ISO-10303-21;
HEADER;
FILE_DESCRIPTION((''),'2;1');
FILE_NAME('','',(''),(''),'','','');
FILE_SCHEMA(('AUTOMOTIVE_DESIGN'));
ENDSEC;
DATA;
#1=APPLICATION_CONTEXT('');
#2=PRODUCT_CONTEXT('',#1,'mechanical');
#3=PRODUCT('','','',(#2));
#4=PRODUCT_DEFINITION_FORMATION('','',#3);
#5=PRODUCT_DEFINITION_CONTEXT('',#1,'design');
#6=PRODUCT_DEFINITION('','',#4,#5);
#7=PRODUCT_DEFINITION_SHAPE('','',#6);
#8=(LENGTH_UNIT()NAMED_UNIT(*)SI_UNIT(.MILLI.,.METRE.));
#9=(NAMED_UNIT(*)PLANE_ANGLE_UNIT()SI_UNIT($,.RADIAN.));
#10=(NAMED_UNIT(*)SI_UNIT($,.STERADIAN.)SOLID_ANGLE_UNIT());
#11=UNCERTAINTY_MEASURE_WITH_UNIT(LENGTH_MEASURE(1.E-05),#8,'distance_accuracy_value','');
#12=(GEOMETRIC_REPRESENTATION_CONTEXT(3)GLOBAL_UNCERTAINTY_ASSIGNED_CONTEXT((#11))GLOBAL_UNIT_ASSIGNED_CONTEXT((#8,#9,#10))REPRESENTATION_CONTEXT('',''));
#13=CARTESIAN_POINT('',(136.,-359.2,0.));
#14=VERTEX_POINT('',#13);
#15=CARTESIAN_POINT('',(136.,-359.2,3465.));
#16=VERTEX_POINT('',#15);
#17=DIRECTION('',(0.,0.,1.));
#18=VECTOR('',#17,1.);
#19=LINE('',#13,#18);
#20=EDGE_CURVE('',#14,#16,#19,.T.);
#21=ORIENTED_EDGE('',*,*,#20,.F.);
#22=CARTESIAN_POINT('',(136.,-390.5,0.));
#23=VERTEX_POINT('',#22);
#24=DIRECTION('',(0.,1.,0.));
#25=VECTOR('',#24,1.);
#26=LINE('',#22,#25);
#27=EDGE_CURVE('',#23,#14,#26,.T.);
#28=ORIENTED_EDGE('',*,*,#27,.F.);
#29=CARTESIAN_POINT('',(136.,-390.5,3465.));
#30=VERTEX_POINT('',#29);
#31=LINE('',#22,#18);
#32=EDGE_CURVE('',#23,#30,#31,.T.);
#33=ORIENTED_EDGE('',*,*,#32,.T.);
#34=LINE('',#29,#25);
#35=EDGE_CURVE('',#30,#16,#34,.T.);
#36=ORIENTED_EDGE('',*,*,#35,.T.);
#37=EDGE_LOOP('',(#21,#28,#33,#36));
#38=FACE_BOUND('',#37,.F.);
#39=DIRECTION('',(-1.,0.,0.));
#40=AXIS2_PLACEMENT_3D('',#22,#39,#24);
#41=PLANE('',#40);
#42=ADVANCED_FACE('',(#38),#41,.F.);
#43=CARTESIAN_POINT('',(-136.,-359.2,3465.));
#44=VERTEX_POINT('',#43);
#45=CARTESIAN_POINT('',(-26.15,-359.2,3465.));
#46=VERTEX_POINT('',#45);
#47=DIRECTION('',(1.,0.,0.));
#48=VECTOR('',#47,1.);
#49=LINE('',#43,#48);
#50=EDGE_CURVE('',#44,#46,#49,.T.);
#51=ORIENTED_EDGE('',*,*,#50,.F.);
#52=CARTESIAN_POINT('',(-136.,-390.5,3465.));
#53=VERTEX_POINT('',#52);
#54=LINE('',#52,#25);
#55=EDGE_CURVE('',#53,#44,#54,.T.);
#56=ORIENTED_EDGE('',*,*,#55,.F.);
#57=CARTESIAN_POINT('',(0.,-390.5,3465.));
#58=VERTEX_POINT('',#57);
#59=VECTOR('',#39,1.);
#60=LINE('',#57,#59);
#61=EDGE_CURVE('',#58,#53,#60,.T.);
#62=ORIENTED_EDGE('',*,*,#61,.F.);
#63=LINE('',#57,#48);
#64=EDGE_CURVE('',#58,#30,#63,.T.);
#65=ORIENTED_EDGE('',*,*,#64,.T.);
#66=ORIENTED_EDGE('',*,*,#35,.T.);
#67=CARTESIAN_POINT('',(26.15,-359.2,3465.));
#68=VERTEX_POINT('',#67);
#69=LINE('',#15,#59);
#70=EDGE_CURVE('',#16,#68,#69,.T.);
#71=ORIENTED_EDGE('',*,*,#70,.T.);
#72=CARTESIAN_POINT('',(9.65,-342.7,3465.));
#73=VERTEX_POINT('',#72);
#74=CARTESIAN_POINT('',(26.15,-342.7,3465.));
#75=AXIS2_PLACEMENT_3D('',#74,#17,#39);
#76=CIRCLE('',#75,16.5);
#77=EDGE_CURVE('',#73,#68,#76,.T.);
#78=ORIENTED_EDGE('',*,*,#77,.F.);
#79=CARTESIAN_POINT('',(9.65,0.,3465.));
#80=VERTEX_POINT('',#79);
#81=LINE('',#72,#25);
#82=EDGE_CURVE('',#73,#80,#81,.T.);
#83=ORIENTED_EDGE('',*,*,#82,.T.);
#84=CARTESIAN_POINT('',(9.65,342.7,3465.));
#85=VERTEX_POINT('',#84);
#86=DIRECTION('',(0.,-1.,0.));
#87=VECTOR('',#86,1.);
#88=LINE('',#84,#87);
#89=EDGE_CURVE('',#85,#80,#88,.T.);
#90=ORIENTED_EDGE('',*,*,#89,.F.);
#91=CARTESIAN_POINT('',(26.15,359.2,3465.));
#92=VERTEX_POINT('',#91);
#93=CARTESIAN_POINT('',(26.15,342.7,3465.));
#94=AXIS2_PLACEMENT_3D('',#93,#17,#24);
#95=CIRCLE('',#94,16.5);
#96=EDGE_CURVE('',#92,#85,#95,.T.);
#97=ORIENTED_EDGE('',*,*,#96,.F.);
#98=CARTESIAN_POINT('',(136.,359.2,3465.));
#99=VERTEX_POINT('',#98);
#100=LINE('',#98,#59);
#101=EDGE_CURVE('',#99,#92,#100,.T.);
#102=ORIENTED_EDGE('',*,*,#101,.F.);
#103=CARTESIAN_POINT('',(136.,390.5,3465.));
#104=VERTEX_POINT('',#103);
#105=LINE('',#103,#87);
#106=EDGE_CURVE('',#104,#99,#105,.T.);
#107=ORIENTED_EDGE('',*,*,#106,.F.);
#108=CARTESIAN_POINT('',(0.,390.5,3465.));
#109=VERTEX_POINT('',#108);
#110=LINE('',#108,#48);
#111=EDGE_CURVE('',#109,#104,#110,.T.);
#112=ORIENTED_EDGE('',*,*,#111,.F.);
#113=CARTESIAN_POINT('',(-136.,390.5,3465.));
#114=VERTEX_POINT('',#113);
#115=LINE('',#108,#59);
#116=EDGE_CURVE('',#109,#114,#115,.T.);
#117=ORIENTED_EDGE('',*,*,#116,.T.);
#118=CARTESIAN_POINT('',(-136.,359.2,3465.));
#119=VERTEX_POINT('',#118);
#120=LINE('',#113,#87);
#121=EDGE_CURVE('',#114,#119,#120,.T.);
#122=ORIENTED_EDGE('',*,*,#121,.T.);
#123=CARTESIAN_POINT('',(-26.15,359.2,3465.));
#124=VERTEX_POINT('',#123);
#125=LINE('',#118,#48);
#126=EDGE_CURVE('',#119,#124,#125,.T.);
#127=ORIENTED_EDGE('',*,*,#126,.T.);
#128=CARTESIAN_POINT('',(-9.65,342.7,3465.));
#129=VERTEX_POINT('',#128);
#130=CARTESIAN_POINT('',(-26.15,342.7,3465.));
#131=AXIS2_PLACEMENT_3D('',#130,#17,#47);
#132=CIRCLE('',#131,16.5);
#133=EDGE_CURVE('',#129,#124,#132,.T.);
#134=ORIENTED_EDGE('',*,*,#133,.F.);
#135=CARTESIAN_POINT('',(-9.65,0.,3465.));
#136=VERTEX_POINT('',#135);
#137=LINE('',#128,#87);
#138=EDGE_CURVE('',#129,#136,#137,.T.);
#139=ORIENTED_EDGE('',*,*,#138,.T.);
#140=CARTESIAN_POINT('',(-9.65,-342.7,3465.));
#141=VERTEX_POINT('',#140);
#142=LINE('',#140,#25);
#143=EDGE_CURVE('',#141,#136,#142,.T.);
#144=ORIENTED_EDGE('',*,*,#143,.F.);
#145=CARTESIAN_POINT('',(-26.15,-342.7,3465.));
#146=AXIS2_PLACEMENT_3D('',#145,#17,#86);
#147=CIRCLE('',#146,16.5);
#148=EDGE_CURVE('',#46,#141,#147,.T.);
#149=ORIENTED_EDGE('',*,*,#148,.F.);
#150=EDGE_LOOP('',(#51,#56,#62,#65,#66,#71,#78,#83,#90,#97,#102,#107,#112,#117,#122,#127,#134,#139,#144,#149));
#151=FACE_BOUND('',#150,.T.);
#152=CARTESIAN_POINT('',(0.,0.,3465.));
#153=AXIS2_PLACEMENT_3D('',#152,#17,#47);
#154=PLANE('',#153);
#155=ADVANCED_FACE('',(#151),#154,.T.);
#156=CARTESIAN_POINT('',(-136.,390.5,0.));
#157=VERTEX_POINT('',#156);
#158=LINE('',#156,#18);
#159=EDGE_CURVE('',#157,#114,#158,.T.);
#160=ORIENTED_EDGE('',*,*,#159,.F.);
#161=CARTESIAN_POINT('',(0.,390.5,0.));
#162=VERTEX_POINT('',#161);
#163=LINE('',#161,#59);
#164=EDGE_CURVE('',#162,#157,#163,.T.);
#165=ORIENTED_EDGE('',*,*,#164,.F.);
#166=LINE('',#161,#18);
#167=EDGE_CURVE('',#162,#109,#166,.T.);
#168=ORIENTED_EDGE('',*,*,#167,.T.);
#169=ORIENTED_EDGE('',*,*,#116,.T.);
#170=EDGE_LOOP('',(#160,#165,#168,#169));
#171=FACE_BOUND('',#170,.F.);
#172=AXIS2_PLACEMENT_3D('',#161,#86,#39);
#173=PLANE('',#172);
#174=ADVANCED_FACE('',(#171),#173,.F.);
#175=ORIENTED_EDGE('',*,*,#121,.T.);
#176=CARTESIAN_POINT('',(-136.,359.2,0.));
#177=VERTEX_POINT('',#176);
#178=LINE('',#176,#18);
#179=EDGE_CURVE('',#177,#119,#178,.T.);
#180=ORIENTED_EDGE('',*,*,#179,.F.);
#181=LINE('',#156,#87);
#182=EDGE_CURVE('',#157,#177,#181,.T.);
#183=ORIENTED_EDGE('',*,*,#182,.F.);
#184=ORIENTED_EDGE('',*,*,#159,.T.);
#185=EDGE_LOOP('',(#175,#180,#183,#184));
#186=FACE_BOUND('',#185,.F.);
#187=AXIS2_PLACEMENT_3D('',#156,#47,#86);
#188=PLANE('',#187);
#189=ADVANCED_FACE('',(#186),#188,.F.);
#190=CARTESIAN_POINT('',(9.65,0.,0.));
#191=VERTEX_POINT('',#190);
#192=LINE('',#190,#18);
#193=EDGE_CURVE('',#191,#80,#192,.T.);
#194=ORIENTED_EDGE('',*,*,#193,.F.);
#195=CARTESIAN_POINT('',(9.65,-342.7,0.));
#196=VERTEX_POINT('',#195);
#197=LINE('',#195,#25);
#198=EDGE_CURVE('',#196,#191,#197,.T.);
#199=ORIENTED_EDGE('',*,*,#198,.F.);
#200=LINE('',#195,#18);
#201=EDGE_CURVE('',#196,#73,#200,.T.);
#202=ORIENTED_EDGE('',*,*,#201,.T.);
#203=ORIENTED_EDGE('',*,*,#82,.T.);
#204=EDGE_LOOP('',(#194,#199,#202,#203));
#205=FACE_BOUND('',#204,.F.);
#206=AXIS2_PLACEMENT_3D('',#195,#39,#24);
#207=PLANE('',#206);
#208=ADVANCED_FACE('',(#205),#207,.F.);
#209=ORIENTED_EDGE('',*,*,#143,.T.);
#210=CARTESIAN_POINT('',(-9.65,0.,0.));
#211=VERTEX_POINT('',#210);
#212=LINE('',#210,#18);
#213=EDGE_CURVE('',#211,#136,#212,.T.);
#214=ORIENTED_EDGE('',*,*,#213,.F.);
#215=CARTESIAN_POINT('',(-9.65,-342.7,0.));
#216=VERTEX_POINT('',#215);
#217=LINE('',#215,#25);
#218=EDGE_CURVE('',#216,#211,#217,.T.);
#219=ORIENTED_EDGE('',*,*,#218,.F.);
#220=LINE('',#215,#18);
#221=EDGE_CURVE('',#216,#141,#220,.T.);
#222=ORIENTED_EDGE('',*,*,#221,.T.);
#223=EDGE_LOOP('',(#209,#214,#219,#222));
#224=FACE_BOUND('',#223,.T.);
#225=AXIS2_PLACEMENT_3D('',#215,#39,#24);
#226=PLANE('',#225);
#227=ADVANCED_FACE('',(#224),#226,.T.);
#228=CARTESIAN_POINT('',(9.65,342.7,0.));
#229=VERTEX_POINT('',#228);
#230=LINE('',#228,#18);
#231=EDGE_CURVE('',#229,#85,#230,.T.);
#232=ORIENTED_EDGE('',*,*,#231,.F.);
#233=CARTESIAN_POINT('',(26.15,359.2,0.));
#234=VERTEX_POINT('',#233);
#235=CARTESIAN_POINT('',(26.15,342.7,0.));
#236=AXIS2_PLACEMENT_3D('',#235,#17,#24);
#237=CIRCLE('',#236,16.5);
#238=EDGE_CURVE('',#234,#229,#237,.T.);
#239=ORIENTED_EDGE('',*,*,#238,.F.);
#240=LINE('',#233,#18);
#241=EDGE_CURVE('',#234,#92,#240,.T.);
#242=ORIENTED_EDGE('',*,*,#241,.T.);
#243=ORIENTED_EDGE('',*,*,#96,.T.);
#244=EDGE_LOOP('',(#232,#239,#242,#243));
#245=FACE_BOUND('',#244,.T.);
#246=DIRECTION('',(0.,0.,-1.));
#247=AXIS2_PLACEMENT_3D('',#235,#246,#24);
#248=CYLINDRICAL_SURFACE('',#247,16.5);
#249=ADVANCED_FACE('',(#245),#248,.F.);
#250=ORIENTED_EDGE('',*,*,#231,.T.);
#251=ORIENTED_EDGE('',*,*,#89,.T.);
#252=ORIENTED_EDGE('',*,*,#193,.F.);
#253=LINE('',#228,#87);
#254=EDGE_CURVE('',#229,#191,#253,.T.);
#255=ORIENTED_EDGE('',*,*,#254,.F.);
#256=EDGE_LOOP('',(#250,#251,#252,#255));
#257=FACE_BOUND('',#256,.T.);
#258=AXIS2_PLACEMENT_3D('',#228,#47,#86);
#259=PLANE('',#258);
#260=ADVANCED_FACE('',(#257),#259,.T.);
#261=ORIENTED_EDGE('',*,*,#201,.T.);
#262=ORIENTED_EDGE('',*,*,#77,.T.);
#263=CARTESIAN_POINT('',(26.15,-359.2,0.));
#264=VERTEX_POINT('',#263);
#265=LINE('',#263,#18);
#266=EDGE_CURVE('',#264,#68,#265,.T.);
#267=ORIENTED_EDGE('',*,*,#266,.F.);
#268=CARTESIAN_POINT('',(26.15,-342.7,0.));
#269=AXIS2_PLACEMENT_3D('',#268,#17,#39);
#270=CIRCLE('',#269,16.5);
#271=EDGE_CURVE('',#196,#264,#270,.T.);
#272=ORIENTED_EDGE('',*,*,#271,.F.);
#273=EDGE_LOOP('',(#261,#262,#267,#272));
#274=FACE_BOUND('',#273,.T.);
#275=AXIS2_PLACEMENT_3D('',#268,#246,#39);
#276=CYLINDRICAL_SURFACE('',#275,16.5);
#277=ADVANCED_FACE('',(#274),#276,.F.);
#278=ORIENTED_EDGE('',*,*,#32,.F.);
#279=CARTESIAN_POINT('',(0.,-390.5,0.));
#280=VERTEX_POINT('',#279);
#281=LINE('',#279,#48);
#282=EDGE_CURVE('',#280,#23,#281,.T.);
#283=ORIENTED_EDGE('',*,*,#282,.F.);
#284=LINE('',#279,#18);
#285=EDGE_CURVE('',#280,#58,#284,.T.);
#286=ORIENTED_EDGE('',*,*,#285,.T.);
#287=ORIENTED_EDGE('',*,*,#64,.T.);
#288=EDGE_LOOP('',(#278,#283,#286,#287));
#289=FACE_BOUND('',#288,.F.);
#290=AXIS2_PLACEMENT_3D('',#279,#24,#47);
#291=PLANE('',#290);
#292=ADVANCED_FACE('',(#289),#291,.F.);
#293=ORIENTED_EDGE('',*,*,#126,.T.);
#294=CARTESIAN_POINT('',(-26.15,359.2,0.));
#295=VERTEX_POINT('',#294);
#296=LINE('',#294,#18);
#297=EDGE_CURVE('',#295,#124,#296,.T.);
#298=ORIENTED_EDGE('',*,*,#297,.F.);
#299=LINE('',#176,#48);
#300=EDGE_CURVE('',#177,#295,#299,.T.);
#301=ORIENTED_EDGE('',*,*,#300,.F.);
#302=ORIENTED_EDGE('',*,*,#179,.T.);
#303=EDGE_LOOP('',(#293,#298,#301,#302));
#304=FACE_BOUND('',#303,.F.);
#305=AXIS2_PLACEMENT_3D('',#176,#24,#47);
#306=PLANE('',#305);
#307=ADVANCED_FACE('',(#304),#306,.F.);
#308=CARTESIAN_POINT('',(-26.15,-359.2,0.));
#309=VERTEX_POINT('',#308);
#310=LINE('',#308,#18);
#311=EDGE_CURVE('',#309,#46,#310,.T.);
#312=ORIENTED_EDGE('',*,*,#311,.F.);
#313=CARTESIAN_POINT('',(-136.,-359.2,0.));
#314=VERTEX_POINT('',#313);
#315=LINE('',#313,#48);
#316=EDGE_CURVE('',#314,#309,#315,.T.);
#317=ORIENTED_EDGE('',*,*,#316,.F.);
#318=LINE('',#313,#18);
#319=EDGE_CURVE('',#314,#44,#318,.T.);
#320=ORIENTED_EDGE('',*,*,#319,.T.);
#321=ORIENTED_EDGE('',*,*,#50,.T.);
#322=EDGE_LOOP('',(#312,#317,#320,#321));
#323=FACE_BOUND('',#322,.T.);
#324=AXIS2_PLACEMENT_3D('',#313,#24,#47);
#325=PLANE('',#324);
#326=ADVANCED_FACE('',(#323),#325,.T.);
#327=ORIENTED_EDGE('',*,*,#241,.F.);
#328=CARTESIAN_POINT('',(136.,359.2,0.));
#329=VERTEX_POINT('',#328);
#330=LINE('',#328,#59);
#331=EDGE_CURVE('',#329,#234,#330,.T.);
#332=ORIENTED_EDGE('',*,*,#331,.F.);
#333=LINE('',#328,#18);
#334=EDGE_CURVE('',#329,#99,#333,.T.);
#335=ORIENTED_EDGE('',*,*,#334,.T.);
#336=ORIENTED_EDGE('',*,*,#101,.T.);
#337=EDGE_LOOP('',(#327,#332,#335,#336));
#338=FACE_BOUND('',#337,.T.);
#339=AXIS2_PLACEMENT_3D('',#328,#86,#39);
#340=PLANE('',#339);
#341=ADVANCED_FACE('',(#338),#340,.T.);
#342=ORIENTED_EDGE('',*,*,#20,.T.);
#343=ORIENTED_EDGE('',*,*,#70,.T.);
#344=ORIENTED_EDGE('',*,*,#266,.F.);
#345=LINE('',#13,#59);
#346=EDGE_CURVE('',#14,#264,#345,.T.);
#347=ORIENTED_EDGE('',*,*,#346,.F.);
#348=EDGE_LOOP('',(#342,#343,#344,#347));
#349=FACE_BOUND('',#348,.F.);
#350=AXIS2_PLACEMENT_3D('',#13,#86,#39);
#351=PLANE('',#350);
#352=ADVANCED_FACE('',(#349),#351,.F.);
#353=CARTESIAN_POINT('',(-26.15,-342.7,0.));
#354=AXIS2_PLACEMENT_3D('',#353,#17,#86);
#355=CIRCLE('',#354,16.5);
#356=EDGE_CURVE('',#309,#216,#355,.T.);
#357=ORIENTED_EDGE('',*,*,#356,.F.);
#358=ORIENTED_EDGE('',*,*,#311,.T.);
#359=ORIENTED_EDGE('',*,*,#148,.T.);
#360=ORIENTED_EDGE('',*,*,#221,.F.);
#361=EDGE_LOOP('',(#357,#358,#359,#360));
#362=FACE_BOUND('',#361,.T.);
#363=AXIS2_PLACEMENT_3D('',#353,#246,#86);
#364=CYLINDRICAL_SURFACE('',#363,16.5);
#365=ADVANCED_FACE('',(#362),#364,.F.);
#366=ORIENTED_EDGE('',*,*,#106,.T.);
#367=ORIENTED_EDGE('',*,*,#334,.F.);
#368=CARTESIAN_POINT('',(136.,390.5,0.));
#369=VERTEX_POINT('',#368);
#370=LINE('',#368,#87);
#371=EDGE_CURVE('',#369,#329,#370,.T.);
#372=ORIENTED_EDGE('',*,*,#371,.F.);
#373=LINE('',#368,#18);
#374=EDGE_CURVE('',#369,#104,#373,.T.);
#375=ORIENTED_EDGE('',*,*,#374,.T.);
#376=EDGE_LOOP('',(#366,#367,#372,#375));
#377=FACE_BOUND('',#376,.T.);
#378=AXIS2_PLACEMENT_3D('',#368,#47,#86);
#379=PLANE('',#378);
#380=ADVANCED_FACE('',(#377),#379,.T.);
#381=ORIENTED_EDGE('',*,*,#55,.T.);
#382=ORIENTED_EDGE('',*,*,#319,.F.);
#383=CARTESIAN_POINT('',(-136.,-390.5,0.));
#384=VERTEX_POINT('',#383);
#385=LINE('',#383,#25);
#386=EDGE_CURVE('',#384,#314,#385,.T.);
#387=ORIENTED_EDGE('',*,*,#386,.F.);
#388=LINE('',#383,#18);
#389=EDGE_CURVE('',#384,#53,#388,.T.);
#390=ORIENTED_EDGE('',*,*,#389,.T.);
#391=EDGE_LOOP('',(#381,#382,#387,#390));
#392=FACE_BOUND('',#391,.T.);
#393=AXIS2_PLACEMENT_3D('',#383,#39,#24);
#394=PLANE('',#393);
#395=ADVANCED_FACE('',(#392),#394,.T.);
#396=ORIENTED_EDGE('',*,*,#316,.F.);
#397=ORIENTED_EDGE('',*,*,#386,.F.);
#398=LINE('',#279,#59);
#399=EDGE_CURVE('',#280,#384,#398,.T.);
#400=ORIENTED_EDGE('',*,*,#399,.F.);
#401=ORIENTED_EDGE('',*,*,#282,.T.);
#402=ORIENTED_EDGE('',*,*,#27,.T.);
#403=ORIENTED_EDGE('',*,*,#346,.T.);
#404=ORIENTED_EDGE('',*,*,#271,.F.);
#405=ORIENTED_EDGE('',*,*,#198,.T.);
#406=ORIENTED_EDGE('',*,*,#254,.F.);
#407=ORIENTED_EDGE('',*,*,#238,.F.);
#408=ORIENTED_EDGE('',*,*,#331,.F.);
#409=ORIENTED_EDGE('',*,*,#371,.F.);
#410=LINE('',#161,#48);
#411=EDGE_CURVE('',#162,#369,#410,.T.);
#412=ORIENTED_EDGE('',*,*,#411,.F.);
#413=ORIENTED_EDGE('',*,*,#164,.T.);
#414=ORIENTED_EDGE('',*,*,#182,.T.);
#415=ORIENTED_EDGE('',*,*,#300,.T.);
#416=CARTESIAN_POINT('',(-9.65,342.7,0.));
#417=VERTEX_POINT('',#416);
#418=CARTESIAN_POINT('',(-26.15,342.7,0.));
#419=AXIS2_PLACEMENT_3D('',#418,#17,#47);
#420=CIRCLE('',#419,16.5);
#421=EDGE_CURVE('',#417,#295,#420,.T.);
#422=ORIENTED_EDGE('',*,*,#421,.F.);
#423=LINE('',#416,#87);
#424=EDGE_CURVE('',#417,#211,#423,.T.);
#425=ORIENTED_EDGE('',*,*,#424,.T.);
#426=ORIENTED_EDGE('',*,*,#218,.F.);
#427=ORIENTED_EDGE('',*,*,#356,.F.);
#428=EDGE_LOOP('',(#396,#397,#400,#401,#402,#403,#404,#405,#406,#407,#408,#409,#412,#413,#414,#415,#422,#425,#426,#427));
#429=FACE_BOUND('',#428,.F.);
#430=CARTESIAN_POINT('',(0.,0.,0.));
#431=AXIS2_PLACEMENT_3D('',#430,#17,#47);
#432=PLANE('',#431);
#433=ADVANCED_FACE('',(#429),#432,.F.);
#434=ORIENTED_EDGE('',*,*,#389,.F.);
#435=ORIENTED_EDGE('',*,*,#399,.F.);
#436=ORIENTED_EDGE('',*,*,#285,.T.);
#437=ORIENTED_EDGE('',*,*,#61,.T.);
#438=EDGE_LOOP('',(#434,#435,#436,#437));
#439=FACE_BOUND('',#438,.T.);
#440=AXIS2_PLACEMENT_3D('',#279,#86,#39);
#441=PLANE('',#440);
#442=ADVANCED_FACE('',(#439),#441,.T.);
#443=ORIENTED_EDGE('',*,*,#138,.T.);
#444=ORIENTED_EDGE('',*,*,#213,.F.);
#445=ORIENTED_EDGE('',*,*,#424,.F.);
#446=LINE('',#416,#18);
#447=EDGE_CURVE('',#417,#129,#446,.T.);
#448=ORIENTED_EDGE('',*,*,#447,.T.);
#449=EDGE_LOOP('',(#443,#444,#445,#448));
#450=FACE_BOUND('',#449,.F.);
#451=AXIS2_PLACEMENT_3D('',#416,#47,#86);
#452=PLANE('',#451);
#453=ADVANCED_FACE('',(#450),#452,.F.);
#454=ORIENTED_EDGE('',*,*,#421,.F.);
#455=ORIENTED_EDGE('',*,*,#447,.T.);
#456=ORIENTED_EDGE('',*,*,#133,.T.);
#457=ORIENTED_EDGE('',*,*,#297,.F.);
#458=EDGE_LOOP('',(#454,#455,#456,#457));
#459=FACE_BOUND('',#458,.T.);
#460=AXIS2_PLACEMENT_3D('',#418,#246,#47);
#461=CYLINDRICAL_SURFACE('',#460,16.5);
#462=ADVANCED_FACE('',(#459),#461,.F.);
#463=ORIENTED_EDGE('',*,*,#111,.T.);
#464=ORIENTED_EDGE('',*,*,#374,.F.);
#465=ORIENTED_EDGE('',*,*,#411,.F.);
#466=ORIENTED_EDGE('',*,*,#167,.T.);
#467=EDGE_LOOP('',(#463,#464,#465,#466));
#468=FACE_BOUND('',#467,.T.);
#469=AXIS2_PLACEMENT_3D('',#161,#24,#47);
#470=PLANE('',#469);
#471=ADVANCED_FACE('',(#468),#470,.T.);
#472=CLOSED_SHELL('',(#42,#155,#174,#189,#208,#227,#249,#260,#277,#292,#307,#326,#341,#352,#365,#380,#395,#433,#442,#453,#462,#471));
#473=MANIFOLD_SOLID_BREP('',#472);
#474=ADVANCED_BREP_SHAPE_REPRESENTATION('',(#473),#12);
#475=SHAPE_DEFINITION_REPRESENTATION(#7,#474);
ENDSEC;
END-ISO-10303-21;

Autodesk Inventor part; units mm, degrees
ref_plane "YZ Plane" through (0, 0, 0) normal (1, 0, 0) x (0, 1, 0)
ref_plane "Start plane" through (0, 0, 0) normal (0, 0, 1) x (1, 0, 0)
ref_plane "End plane" through (0, 0, 3465) normal (0, 0, 1) x (1, 0, 0)
sketch "Sketch" plane through (0, 0, 0) normal (0, 0, 1) x (1, 0, 0)
  line L0 (-136, -390.5) -> (-136, -359.2)
  line L1 (-136, -359.2) -> (-26.15, -359.2)
  line L2 (-9.65, -342.7) -> (-9.65, 0)
  line L3 (-9.65, 0) -> (0, 0) construction
  line L4 (0, 0) -> (0, -390.5) construction
  line L5 (0, -390.5) -> (-136, -390.5)
  line L6 (-60, 0) -> (80, 0) construction
  line L7 (0, -60) -> (0, 80) construction
  line L8 (136, -390.5) -> (136, -359.2)
  line L9 (136, -359.2) -> (26.15, -359.2)
  line L10 (9.65, -342.7) -> (9.65, 0)
  line L11 (9.65, 0) -> (0, 0) construction
  line L12 (0, -390.5) -> (136, -390.5)
  line L13 (-136, 390.5) -> (-136, 359.2)
  line L14 (-136, 359.2) -> (-26.15, 359.2)
  line L15 (-9.65, 342.7) -> (-9.65, 0)
  line L16 (0, 390.5) -> (-136, 390.5)
  line L17 (136, 390.5) -> (136, 359.2)
  line L18 (136, 359.2) -> (26.15, 359.2)
  line L19 (0, 390.5) -> (136, 390.5)
  line L20 (9.65, 342.7) -> (9.65, 0)
  arc A0 (-9.65, 342.7) -> (-26.15, 359.2) centre (-26.15, 342.7) ccw
  arc A1 (26.15, 359.2) -> (9.65, 342.7) centre (26.15, 342.7) ccw
  arc A2 (9.65, -342.7) -> (26.15, -359.2) centre (26.15, -342.7) ccw
  arc A3 (-26.15, -359.2) -> (-9.65, -342.7) centre (-26.15, -342.7) ccw
  line L21 (0, 108) -> (0, -88) construction
  line L22 (-88, 0) -> (108, 0) construction
  point P0 (-9.65, -359.2)
  point P1 (9.65, -359.2)
  point P2 (-9.65, 359.2)
  point P3 (9.65, 359.2)
  dimension "d1" = 390.5
  dimension "d2" = 31.3
  dimension "d3" = 136
  dimension "d4" = 9.65
  dimension "d10" = 16.5
extrude "Body" add sketch "Sketch" along normal up to surface (3465 mm away) from surface at 0
sketch "Sketch4" plane through (0, 0, 0) normal (0, 0, 1) x (1, 0, 0)
  line L0 (0, 0) -> (10, 0)
ref_plane "Work Plane3" through (0, 0, 0) normal (0, -1, 0) x (1, 0, 0)
sketch "Sketch5" plane through (0, 0, 0) normal (0, -1, 0) x (1, 0, 0)
  line L0 (-2, 0) -> (12, 0) projected
  line L1 (-2, 3465) -> (12, 3465) projected
  dimension "d14" = 3465
equation "\"d1\" = 0.5 * G_H"
equation "\"d2\" = G_T1"
equation "\"d3\" = 0.5 * G_W"
equation "\"d4\" = 0.5 * G_T"
equation "\"d10\" = G_IR"
equation "\"d5\" = G_L"
equation "\"G_W\" = 272"
equation "\"G_H\" = 781"
equation "\"G_T\" = 19.3"
equation "\"G_T1\" = 31.3"
equation "\"G_IR\" = 16.5"
equation "\"G_L\" = d14"
equation "\"G_OFFSET_START\" = 0"
equation "\"G_OFFSET_END\" = 0"
equation "\"d12\" = G_OFFSET_END + B_L"
equation "\"B_L\" = 3465"
properties part number "AS 3679-1990 - 760 UB - 244 - 3465" material "Steel, Mild"
